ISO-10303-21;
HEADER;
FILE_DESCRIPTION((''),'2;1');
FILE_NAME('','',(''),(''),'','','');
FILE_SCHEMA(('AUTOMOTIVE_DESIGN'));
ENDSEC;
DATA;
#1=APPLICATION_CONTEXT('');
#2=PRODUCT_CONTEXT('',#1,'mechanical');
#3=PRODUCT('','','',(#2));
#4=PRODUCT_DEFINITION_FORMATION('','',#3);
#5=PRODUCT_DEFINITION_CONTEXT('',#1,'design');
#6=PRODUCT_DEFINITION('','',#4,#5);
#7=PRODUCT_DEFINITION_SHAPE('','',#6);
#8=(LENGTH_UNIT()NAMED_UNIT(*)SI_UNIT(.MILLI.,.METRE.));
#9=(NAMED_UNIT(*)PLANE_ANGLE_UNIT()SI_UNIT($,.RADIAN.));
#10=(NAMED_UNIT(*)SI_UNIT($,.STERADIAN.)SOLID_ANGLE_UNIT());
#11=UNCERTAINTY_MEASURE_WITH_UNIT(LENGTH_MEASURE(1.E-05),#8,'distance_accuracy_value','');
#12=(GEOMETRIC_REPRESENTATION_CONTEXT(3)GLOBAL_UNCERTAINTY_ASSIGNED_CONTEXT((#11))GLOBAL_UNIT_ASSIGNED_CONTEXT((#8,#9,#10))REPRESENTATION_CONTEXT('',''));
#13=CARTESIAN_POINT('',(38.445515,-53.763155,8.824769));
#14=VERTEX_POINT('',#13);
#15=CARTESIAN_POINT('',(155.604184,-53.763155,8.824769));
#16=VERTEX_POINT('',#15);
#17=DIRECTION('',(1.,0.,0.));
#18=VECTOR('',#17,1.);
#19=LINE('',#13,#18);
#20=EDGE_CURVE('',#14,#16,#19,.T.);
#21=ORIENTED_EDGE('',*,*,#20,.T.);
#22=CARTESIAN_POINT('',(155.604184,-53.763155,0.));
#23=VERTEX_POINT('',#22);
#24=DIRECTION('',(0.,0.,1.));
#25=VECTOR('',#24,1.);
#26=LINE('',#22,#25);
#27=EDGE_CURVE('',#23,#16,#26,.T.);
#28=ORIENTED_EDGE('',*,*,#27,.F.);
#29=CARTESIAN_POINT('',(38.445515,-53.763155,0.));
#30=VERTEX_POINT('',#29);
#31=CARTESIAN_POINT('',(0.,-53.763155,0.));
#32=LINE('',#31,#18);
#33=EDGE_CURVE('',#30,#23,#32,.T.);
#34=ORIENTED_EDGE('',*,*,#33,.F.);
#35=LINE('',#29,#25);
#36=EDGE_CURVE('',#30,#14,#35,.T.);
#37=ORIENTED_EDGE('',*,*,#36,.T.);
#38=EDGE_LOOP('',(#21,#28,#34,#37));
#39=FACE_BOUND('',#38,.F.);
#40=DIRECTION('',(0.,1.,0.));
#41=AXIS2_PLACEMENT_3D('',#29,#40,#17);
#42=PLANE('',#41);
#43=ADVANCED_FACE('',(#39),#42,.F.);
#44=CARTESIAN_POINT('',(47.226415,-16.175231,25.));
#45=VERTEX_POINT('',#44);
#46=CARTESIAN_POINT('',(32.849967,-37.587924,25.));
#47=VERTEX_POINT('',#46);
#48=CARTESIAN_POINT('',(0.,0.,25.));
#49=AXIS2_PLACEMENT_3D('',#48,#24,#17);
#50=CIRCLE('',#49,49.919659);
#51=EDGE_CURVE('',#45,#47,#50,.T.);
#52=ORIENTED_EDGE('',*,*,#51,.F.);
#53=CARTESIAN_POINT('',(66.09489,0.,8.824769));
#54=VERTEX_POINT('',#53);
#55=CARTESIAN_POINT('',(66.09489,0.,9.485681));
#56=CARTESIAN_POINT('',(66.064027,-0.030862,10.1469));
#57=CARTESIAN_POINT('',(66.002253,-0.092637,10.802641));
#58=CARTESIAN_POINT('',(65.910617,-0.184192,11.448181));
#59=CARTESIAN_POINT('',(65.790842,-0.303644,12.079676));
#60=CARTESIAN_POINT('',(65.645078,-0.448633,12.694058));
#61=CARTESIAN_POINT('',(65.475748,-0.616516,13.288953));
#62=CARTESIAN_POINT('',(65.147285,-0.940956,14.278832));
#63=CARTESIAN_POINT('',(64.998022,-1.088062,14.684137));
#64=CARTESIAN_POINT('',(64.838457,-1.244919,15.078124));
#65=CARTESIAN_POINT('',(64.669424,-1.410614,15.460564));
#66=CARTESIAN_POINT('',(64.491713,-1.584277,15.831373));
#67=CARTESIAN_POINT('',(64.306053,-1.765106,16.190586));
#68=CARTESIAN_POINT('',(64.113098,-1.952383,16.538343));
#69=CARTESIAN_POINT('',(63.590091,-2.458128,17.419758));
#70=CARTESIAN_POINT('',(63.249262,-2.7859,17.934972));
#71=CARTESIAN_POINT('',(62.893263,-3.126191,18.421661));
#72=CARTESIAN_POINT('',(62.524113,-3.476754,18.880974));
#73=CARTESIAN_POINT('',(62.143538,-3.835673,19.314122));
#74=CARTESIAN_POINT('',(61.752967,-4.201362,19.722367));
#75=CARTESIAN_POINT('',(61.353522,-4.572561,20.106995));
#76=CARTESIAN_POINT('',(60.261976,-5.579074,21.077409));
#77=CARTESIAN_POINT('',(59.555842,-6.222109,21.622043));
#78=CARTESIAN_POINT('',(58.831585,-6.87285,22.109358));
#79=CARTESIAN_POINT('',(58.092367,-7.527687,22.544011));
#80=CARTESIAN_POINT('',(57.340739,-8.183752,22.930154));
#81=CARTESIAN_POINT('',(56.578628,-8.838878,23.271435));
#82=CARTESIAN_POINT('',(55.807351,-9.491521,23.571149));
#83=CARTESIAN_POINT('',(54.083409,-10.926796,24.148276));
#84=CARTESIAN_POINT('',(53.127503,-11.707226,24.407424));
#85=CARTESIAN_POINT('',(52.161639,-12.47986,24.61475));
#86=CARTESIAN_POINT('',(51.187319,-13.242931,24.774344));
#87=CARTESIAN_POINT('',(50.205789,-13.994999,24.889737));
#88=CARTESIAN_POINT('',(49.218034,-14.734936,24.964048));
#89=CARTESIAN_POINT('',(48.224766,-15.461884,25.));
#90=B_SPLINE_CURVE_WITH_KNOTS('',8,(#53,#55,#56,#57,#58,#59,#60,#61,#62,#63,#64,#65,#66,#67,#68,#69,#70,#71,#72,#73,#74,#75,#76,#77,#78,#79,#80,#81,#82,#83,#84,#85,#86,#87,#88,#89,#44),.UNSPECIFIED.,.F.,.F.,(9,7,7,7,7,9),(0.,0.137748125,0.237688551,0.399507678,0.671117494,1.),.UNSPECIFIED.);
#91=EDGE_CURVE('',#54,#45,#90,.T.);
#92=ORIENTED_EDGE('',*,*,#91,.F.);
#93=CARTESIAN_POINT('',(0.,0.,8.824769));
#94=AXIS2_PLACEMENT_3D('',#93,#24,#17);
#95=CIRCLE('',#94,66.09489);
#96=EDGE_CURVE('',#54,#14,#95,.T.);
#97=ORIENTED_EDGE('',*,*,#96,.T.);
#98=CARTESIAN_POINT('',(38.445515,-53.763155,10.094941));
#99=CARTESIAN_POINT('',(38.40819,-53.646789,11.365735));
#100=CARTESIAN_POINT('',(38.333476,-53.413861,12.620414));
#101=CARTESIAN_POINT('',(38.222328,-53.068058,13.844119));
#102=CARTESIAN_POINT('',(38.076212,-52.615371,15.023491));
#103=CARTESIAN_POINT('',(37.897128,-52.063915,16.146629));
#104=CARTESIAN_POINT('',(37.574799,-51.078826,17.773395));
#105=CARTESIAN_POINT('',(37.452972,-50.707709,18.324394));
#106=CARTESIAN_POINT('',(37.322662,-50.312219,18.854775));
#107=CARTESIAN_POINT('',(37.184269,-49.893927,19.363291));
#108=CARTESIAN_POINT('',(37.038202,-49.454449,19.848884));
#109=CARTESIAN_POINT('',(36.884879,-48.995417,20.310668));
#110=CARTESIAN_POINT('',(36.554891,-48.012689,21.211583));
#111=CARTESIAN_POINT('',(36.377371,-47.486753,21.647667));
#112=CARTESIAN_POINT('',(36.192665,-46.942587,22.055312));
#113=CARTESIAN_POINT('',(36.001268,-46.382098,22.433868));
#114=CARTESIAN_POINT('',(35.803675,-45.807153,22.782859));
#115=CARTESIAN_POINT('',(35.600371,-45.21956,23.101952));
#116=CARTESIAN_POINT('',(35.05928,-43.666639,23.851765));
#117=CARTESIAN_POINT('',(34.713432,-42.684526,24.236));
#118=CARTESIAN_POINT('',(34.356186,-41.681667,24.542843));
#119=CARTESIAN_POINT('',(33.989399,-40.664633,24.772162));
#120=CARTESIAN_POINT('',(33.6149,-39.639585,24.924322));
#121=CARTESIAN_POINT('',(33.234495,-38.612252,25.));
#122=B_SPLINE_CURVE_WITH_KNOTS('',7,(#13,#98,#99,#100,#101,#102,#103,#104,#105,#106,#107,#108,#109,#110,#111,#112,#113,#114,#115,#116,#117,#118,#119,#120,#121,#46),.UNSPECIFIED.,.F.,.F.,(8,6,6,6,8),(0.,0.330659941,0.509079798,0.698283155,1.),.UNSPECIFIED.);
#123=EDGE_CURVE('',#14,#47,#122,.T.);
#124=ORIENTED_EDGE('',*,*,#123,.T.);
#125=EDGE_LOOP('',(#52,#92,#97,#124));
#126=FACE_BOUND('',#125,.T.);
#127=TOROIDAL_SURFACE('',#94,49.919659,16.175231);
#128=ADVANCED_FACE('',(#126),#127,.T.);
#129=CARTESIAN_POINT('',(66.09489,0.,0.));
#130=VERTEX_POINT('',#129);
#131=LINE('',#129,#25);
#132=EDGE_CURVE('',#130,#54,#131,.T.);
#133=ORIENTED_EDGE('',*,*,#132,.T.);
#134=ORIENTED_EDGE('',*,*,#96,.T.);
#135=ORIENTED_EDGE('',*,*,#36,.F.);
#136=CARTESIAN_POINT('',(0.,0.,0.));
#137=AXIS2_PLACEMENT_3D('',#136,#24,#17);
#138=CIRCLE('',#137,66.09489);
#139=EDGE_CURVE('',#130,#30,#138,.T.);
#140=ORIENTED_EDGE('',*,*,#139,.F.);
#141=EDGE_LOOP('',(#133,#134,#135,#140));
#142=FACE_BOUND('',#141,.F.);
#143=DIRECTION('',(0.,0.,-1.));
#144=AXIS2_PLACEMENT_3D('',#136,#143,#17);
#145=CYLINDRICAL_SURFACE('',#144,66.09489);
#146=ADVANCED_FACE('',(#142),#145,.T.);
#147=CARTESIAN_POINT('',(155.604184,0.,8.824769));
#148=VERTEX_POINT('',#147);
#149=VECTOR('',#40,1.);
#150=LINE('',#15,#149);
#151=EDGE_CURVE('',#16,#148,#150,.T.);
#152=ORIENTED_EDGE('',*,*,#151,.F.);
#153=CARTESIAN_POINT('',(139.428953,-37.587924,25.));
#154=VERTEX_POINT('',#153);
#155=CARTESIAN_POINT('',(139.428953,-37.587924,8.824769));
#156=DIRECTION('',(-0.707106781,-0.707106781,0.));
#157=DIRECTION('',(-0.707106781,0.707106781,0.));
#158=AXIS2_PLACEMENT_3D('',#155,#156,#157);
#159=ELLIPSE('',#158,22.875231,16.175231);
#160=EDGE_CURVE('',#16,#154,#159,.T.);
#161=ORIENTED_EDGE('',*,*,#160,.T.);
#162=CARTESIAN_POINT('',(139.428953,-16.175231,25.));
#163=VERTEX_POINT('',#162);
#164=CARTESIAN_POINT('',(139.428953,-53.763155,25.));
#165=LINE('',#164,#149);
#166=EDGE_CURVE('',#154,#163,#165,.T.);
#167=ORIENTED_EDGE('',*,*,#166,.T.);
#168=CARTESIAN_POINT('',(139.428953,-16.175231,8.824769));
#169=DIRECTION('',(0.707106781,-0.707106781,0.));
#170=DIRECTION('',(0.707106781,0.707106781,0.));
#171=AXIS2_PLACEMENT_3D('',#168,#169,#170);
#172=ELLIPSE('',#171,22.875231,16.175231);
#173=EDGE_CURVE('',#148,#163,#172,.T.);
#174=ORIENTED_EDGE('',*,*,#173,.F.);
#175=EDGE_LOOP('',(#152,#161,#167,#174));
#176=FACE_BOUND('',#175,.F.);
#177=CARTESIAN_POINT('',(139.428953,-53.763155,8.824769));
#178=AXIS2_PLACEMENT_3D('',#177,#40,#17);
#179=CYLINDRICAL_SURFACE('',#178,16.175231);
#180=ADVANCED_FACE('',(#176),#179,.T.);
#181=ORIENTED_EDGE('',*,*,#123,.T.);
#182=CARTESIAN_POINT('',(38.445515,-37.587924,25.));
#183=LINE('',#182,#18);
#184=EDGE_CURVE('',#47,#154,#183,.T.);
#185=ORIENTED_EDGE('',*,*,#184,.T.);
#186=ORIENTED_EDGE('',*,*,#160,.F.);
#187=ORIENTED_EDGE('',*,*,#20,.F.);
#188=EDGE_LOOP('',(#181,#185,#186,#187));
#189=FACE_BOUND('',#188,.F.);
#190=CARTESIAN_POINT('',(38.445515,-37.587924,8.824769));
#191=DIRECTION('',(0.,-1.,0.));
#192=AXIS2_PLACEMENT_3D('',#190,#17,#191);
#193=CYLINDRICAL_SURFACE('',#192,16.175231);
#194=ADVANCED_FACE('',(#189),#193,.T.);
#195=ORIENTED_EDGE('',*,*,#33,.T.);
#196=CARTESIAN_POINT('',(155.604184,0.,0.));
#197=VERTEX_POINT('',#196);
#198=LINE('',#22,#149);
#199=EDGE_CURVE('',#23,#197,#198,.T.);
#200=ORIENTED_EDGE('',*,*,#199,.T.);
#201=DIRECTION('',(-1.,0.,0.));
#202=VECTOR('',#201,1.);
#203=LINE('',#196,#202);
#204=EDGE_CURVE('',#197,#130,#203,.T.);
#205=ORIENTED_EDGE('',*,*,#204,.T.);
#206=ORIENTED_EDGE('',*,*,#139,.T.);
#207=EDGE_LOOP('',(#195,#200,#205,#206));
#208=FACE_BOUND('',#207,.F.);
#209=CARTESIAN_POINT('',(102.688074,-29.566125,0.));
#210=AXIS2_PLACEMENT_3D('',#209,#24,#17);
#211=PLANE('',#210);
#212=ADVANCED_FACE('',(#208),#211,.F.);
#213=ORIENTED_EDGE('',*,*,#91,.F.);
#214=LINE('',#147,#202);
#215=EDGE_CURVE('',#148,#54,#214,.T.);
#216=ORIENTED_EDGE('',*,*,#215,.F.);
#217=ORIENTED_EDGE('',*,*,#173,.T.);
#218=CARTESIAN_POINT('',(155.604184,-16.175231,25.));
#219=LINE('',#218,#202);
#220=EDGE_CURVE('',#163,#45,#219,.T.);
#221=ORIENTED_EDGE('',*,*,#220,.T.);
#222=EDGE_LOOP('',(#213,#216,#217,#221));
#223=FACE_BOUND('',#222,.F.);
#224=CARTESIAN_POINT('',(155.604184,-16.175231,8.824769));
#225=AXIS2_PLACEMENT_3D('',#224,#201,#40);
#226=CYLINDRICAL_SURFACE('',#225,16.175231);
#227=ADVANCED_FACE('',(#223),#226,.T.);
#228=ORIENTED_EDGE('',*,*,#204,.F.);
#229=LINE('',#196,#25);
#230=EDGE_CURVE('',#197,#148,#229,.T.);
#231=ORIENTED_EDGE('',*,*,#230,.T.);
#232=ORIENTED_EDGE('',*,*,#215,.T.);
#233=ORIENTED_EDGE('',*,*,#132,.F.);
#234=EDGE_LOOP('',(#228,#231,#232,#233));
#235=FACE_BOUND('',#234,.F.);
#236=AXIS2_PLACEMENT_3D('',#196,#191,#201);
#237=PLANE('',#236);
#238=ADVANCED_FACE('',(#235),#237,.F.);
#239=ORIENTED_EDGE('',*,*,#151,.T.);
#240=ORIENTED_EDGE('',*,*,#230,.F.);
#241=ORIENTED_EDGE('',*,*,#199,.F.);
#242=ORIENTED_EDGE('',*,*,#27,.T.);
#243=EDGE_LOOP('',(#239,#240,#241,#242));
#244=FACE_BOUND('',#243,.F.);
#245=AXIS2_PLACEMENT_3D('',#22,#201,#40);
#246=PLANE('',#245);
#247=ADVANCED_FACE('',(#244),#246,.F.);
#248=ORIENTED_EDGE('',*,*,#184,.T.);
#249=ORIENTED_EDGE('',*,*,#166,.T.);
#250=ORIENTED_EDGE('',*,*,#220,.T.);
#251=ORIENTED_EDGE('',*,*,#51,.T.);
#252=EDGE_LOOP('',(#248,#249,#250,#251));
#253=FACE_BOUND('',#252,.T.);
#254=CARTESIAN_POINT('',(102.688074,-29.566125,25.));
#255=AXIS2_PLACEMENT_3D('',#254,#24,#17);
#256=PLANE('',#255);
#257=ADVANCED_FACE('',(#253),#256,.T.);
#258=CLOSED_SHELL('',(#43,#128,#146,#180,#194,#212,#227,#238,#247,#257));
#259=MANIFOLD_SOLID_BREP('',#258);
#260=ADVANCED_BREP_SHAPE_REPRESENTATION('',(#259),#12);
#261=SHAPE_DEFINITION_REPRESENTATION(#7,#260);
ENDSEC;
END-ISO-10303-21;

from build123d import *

# Parameters (mm, degrees)
F1_DEPTH = 25
F2_R     = 16.1752308679


with BuildPart() as f1:
    # F0 (on Top) → F1 (new body)
    with BuildSketch(Plane.XY):
        with BuildLine():
            Line((155.6041836739, 0), (66.094889761, 0))
            ThreePointArc((66.094889761, 0), (58.777489451, -30.2281522154), (38.4455150616, -53.7631548941))
            Line((38.4455150616, -53.7631548941), (155.6041836739, -53.7631548941))
            Line((155.6041836739, -53.7631548941), (155.6041836739, 0))
        make_face()
        with BuildLine():
            ThreePointArc((38.4455150616, -53.7631548941), (58.777489451, -30.2281522154), (66.094889761, 0))
            Line((66.094889761, 0), (0, 0))
            Line((0, 0), (0, -53.7631548941))
            Line((0, -53.7631548941), (38.4455150616, -53.7631548941))
        make_face()
        with BuildLine():
            Line((0, 0), (66.094889761, 0))
            ThreePointArc((66.094889761, 0), (-58.777489451, 30.2281522154), (38.4455150616, -53.7631548941))
            Line((38.4455150616, -53.7631548941), (0, -53.7631548941))
            Line((0, -53.7631548941), (0, 0))
        make_face()
    extrude(amount=F1_DEPTH)

    # F2
    f2_edges = [f1.edges().sort_by_distance(p)[0] for p in [
        (-58.777489, 30.228152, 25),
        (155.604184, -26.881577, 25),
        (110.849537, 0, 25),
        (97.024849, -53.763155, 25),
    ]]
    fillet(f2_edges, radius=F2_R)


solid = f1.part
